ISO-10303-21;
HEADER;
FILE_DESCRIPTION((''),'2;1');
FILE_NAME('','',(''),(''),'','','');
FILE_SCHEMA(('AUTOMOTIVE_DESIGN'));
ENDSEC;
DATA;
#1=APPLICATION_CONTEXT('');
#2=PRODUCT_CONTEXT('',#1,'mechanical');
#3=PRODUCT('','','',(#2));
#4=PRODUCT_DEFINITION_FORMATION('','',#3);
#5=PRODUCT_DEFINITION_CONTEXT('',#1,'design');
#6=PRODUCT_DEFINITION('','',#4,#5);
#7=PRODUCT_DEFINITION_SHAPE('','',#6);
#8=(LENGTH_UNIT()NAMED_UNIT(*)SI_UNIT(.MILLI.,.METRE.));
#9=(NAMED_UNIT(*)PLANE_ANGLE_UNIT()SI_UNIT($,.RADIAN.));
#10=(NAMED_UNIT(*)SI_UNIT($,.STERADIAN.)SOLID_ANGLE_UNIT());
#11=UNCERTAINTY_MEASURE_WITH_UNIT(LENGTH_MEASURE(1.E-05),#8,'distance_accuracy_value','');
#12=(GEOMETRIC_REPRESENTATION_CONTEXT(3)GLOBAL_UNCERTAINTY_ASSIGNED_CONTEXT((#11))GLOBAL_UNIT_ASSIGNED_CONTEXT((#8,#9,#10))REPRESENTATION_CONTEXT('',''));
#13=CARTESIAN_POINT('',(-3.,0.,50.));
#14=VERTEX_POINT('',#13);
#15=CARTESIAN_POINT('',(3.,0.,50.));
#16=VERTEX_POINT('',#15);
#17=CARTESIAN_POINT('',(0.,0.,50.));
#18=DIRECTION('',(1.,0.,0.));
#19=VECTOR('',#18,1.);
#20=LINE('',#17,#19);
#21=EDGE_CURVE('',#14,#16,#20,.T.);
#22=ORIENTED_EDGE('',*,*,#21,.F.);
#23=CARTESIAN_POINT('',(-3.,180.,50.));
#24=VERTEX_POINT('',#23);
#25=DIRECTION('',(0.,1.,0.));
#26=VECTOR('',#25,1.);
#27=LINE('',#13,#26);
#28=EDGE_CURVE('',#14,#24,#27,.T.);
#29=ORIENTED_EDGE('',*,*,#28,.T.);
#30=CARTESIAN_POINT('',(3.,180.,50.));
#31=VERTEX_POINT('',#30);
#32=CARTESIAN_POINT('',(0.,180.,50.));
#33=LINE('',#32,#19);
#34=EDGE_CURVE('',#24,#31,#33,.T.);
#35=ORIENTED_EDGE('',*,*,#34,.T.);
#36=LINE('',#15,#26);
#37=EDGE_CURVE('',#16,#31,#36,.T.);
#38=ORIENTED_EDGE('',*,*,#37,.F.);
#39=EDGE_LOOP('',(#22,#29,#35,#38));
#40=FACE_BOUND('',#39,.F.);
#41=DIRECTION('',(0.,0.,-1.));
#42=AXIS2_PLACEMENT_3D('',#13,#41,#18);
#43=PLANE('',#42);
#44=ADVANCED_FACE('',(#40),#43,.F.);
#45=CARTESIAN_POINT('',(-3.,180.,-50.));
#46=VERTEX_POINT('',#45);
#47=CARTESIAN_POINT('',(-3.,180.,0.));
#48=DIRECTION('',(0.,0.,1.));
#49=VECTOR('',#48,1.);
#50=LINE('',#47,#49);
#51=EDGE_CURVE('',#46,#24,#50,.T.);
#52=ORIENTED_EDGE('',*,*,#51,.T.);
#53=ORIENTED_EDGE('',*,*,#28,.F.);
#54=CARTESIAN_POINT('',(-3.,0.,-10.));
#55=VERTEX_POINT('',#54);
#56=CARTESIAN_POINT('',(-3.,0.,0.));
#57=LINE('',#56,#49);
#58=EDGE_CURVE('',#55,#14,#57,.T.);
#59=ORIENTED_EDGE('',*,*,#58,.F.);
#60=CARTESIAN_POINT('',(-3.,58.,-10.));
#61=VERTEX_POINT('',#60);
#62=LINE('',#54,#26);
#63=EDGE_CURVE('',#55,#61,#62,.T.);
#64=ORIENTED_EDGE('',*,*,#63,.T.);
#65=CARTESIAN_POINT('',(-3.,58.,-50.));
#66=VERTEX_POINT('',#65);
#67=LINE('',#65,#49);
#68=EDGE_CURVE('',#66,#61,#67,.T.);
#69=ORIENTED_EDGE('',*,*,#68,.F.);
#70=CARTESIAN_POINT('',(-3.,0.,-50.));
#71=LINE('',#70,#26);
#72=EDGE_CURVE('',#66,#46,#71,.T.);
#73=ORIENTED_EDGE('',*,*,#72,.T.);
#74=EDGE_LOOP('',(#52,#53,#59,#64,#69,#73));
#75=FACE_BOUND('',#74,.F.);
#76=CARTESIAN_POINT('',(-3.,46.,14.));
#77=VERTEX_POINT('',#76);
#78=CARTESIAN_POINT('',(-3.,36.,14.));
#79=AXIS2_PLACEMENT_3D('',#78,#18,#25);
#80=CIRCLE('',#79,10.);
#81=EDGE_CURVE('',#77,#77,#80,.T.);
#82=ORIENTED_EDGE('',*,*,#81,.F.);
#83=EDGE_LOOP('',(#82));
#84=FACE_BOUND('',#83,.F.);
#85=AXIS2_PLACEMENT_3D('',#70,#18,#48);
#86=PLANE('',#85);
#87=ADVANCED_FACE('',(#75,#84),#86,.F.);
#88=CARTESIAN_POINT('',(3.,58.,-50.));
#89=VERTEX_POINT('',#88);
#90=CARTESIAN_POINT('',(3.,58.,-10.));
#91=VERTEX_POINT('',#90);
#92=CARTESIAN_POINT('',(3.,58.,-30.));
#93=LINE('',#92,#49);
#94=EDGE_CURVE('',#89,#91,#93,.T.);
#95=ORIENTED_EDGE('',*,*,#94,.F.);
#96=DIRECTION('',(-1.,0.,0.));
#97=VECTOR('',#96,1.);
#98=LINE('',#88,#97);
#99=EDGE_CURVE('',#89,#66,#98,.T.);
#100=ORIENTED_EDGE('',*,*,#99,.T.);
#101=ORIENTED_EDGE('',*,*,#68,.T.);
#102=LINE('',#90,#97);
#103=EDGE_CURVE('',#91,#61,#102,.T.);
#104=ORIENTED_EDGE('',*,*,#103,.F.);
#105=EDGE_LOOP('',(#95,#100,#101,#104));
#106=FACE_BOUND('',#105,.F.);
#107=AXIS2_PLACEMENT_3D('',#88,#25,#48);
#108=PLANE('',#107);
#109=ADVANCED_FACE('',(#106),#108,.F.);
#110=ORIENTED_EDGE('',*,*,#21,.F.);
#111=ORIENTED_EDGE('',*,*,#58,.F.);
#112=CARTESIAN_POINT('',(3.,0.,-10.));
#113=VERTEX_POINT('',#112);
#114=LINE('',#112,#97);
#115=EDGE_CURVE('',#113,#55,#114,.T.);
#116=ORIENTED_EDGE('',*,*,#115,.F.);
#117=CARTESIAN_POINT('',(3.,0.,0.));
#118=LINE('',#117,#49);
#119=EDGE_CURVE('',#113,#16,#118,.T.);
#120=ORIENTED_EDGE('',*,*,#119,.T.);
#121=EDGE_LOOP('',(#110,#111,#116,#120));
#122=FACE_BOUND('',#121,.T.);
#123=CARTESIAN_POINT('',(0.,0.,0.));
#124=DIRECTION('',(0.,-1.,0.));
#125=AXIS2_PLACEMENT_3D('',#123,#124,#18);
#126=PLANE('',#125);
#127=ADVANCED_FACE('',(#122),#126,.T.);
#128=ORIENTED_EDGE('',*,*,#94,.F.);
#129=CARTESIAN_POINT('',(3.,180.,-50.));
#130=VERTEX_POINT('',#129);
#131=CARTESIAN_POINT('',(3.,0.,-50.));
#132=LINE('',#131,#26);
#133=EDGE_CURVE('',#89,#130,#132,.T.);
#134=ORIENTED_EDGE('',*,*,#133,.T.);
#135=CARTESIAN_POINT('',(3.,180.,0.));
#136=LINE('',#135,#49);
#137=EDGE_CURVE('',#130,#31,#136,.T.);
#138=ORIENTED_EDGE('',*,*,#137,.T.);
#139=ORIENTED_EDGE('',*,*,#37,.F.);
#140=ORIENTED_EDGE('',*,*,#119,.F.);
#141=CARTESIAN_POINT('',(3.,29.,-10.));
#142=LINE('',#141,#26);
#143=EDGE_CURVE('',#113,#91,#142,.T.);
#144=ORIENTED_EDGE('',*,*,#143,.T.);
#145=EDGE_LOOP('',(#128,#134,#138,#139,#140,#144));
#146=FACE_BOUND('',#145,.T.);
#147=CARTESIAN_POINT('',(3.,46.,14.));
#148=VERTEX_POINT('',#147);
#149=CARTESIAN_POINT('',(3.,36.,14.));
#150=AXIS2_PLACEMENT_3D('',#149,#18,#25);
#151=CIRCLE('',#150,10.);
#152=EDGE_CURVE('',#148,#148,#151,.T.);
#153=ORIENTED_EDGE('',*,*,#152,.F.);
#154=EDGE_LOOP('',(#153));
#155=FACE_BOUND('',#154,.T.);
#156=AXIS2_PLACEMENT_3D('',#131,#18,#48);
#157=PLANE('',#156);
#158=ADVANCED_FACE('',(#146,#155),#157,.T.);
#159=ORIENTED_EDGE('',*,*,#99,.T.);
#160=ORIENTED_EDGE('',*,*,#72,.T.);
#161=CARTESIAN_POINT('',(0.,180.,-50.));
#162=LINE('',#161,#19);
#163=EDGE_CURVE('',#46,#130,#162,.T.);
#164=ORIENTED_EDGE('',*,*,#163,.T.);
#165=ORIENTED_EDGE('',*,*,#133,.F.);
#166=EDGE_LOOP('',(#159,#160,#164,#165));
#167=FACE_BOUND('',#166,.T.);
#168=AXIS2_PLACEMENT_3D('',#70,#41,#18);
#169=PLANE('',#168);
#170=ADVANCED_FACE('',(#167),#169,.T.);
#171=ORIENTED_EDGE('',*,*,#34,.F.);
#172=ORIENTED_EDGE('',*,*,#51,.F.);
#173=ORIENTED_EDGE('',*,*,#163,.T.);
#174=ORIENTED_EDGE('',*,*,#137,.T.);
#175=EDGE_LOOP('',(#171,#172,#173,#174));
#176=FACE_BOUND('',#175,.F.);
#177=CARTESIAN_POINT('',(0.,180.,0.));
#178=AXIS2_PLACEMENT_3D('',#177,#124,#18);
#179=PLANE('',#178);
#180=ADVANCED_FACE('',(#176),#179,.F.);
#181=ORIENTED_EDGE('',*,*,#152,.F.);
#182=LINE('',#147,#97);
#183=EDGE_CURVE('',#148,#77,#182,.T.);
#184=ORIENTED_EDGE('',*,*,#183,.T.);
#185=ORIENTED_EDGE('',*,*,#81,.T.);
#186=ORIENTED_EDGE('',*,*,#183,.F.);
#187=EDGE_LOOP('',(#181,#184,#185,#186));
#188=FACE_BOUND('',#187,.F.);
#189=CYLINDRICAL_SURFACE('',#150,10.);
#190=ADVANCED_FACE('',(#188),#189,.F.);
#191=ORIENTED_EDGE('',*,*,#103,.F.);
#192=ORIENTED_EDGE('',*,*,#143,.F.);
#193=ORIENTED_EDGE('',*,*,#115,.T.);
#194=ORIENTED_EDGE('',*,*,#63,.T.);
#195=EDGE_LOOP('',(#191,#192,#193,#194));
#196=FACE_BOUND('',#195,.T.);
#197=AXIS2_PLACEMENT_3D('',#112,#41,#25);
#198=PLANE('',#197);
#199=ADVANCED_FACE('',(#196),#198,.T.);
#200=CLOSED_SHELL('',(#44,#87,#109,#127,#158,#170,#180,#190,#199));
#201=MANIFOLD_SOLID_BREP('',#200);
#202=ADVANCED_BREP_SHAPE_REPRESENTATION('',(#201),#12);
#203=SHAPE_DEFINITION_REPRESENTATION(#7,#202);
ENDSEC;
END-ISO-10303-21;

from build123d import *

# Parameters (mm, degrees)
F0_W     = 6
F0_H     = 100
F1_DEPTH = 180
F2_R     = 10
F2_W     = 58
F2_H     = 40
F3_DEPTH = 6.001


with BuildPart() as f1:
    # F0 (on Front) → F1 (new body)
    with BuildSketch(Plane.XZ):
        Rectangle(F0_W, F0_H)
    extrude(amount=-F1_DEPTH)

    # F2 (on face) → F3 (cut, through all)
    with BuildSketch(Plane.YZ.offset(3)):
        with Locations((36, 14)):
            Circle(F2_R)
        with Locations((29, -30)):
            Rectangle(F2_W, F2_H)
    extrude(amount=-F3_DEPTH, mode=Mode.SUBTRACT)


solid = f1.part
